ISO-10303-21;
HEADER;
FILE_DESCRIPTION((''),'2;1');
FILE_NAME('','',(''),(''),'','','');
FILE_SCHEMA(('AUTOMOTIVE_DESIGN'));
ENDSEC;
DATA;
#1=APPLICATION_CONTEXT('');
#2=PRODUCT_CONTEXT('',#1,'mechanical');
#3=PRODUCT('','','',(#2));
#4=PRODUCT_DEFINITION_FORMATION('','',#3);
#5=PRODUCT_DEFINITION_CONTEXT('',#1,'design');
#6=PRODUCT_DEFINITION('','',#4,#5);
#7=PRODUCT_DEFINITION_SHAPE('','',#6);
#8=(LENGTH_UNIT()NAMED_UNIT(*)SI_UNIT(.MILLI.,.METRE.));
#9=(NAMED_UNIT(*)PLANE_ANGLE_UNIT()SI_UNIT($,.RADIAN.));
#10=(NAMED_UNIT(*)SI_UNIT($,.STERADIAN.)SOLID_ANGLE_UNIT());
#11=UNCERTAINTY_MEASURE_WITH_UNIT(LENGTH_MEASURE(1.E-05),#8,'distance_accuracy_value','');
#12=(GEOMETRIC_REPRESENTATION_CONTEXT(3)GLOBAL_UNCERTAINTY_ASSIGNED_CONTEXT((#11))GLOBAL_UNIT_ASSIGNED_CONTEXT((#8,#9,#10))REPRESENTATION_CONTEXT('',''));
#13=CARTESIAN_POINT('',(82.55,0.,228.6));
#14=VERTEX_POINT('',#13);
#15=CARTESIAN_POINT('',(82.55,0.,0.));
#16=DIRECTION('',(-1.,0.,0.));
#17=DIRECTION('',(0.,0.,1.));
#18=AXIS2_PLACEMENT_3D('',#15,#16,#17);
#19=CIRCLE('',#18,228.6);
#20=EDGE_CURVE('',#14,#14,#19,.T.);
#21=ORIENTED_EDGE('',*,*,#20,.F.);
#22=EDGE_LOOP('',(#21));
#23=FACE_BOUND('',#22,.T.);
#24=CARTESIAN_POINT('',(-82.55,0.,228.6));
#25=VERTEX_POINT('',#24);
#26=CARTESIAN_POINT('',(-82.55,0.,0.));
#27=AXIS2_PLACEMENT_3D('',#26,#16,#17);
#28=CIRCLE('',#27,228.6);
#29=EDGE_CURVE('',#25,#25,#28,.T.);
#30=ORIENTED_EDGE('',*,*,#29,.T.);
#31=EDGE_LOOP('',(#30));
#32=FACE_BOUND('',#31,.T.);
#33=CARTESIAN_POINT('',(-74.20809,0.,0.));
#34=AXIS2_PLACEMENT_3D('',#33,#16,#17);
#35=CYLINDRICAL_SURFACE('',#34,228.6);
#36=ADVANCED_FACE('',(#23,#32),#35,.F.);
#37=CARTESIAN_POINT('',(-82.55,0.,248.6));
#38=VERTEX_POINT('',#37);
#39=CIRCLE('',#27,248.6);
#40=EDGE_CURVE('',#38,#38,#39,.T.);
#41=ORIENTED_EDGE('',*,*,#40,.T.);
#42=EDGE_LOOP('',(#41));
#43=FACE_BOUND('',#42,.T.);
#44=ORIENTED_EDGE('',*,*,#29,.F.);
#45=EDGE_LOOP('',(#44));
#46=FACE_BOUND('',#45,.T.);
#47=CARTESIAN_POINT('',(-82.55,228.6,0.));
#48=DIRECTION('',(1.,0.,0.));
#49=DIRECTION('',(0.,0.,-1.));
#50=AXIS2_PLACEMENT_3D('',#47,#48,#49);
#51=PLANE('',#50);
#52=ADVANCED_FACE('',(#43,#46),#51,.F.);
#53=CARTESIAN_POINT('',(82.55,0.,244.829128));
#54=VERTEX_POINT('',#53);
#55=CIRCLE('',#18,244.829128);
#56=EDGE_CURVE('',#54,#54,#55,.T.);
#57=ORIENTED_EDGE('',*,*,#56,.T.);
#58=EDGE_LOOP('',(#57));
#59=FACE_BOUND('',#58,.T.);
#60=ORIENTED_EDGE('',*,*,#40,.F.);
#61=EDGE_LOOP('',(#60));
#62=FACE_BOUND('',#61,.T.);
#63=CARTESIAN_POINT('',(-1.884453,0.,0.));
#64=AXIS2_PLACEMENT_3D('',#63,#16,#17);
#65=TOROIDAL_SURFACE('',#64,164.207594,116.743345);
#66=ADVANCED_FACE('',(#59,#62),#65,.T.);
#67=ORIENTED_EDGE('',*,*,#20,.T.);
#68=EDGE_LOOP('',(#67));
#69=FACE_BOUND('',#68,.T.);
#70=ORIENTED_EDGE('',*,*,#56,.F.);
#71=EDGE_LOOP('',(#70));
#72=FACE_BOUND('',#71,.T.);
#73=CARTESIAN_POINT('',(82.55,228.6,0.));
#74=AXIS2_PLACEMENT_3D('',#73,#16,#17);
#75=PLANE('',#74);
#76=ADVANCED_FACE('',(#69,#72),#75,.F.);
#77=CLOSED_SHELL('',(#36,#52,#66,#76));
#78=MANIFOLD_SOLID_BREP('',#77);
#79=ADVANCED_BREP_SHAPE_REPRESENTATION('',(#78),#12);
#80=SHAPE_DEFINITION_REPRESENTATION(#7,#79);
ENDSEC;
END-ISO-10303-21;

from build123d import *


with BuildPart() as part:
    # Croquis1 → Revolución1 (revolve)
    with BuildSketch(Plane.XY):
        with BuildLine():
            Line((-82.55, 228.6), (-82.55, 248.6))
            ThreePointArc((-82.55, 248.6), (0.78126118, 280.920500567), (82.55, 244.829127658))
            Line((82.55, 244.829127658), (82.55, 228.6))
            Line((82.55, 228.6), (-82.55, 228.6))
        make_face()
    revolve(axis=Axis((-74.208090301, 0, 0), (1, 0, 0)))


solid = part.part
